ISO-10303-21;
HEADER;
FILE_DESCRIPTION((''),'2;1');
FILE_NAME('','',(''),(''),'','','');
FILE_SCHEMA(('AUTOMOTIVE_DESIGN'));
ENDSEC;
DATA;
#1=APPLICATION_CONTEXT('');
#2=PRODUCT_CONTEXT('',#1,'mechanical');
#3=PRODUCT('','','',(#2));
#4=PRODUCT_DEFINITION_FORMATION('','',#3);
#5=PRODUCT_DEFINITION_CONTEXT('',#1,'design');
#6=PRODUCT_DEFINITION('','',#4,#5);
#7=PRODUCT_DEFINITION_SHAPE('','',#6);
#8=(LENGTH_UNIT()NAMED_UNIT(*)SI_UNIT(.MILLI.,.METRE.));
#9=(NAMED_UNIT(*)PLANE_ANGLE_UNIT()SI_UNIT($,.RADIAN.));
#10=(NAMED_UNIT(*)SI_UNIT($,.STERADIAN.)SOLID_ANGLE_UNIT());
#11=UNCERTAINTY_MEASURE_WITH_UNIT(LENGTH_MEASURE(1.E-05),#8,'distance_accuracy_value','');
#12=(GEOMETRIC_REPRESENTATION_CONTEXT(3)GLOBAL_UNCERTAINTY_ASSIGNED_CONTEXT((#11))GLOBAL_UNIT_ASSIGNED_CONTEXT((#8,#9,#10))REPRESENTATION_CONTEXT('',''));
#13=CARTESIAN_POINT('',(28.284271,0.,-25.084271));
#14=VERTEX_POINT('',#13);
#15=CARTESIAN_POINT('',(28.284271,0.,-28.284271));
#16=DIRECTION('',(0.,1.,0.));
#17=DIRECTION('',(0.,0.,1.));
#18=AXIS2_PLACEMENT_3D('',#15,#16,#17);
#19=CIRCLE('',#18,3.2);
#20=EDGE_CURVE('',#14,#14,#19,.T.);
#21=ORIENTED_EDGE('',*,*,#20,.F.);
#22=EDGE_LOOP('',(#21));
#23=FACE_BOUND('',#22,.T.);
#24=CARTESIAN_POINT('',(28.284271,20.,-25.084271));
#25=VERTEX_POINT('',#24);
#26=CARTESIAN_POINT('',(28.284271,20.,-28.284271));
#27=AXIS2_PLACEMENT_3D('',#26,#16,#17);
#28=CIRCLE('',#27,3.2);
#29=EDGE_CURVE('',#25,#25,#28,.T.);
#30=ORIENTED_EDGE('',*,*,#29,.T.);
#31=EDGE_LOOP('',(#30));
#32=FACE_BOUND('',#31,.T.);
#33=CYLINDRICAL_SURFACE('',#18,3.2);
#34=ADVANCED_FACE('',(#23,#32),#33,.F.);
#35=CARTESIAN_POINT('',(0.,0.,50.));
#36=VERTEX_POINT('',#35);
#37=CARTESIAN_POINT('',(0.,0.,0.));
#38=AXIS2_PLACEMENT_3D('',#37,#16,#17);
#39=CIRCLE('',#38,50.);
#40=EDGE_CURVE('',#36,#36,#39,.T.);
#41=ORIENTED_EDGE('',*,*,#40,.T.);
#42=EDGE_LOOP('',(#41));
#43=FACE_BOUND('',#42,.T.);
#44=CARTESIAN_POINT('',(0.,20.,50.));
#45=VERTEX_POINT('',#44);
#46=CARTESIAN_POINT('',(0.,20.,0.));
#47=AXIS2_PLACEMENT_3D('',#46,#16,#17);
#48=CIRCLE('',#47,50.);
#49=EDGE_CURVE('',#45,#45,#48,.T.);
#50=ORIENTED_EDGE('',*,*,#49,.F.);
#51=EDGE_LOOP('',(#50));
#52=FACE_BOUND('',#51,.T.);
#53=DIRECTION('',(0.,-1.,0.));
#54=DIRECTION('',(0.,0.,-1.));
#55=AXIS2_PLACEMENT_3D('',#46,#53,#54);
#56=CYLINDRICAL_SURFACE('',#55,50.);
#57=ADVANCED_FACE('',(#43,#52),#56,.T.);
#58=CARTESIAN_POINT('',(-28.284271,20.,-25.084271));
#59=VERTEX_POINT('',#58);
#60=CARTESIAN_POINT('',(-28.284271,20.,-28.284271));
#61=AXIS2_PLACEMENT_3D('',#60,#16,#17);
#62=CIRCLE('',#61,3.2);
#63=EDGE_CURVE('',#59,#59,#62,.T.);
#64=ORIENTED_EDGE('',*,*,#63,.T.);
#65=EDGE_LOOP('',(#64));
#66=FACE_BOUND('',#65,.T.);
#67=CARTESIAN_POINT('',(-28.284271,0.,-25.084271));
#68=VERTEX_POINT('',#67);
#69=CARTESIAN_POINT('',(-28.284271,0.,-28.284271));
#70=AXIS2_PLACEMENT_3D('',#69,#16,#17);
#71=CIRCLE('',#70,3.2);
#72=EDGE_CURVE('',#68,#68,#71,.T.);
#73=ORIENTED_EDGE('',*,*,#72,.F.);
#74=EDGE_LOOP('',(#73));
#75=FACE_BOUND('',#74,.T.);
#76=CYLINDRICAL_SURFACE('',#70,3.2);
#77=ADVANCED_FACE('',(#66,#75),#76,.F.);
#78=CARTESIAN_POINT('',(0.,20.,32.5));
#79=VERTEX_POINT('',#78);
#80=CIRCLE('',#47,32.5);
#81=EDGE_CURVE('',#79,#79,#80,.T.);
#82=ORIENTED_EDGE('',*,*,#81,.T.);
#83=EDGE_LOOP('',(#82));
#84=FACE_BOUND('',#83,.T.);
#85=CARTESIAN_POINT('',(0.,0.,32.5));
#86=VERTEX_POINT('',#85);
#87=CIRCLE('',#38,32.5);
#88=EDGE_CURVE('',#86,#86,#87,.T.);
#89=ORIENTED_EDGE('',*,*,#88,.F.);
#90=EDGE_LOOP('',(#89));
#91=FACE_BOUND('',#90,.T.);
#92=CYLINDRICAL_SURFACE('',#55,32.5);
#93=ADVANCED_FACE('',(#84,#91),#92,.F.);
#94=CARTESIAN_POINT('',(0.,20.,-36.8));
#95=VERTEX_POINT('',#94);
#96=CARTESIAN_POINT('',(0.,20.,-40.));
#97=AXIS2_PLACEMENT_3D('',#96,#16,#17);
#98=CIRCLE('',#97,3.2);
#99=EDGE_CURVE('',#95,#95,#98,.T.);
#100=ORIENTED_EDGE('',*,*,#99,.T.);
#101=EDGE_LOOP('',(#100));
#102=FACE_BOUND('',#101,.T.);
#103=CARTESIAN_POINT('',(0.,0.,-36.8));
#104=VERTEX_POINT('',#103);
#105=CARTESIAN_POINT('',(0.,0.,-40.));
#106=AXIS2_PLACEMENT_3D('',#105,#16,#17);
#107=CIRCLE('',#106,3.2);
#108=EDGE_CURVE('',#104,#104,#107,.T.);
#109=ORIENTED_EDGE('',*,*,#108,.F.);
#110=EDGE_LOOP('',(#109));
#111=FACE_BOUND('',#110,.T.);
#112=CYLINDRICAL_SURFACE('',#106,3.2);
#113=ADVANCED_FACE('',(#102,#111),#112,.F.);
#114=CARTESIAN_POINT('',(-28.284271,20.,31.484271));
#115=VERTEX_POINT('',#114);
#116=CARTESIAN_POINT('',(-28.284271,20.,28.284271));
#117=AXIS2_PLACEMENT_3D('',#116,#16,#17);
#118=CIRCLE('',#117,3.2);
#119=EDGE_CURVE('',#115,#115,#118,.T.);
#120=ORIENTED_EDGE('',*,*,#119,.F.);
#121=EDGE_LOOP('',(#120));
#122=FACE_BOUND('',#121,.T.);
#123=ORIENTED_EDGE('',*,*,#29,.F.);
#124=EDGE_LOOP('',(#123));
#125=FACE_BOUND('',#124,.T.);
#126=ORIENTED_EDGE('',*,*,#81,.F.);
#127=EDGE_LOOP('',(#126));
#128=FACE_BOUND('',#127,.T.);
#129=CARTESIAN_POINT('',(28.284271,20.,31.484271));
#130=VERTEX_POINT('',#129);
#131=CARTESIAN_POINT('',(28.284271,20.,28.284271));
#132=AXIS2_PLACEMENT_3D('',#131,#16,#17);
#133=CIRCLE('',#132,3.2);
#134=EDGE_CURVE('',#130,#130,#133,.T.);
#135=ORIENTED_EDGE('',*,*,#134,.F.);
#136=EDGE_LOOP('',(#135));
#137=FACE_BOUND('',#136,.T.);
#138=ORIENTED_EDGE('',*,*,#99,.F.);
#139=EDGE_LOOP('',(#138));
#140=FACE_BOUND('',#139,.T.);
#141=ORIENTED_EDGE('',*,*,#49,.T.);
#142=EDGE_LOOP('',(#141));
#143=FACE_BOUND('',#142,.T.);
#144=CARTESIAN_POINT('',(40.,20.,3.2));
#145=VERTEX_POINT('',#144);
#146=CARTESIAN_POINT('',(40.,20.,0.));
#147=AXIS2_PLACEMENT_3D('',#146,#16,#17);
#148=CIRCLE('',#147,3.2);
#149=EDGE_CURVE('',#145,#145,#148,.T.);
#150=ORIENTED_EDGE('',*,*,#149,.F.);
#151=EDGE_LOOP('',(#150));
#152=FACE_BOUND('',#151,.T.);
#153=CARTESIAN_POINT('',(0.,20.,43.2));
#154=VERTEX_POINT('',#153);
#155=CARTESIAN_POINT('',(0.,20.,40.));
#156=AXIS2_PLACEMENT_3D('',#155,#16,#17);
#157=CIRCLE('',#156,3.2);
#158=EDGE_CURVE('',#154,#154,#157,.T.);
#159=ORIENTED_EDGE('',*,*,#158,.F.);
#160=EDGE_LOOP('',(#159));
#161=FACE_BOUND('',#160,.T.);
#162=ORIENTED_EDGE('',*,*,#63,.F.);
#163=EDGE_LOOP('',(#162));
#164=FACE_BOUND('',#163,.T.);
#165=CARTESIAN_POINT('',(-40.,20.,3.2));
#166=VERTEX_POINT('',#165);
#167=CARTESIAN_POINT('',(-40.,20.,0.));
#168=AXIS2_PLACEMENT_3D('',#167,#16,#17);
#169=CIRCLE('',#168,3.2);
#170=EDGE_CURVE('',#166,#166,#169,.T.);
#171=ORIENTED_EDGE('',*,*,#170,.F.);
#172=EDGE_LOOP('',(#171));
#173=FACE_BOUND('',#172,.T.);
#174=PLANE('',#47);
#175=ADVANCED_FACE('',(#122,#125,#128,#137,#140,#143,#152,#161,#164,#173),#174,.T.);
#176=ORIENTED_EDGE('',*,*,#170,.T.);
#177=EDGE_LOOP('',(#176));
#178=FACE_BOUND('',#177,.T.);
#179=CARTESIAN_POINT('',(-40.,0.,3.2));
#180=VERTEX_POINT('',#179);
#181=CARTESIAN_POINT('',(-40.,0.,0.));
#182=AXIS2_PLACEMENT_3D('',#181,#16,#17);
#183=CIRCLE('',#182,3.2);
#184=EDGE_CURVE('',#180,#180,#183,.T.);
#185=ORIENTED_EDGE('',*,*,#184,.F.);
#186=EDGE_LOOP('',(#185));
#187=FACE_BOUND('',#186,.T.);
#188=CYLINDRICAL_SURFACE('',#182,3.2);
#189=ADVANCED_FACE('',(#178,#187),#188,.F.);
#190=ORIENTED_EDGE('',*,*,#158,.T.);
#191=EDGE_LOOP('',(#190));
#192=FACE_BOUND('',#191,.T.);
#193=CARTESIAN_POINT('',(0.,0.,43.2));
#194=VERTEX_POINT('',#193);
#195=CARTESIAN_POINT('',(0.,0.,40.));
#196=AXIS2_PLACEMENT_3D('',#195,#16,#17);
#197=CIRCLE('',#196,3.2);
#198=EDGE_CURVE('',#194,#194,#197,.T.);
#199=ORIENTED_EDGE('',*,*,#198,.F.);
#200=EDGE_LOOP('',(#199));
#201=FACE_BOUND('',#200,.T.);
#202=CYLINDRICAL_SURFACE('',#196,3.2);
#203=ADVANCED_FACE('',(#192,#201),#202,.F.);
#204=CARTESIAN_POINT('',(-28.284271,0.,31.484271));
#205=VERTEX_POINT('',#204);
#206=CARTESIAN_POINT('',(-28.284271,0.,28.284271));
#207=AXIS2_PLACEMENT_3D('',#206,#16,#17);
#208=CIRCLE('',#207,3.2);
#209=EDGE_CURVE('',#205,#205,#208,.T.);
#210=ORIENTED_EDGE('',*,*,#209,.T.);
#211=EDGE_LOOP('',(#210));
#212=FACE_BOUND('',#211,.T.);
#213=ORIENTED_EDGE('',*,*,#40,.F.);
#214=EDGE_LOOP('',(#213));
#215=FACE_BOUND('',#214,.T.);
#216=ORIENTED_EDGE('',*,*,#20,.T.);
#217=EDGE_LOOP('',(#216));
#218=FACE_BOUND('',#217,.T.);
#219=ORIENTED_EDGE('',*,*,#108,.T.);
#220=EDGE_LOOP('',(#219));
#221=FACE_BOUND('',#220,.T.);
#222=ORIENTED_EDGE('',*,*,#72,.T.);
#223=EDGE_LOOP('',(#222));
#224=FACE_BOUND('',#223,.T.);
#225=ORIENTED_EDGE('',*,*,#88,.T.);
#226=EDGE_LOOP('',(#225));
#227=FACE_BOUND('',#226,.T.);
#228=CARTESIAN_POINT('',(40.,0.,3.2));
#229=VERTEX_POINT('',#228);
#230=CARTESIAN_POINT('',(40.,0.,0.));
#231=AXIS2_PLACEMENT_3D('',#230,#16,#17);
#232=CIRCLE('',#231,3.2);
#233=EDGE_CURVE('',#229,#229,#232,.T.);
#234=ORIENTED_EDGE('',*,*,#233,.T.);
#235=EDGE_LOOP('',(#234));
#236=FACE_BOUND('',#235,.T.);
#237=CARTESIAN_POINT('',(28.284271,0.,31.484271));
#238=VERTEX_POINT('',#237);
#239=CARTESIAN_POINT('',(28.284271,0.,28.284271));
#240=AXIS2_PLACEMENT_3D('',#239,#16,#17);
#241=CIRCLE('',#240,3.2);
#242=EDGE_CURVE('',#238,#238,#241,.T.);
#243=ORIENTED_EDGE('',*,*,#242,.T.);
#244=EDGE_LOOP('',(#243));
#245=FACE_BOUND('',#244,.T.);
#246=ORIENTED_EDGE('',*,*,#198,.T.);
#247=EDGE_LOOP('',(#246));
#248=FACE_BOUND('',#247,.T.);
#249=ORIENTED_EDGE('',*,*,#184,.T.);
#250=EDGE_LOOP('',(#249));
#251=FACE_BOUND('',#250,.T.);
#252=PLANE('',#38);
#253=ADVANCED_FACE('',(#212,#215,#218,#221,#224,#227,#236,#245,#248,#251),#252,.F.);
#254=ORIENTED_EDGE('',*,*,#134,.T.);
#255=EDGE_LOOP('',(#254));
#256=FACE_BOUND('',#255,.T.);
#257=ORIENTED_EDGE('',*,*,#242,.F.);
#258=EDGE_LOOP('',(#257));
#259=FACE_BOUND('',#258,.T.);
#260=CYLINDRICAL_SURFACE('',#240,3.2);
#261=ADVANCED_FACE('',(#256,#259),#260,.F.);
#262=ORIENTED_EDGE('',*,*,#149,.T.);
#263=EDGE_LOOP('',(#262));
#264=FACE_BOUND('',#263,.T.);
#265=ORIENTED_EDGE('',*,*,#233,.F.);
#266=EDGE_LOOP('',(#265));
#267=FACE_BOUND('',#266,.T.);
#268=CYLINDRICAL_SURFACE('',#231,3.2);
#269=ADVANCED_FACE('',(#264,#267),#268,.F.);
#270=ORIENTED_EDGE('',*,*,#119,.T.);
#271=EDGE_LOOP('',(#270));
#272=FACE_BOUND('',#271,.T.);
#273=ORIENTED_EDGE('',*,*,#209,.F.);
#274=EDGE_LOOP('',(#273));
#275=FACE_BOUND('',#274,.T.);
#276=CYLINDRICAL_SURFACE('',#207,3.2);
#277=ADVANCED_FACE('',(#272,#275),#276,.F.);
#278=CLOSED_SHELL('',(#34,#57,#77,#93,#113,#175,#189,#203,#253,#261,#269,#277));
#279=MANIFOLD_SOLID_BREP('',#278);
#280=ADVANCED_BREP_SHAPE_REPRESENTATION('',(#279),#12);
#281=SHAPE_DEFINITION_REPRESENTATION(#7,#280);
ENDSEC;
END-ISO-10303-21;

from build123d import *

# Parameters (mm, degrees)
SKETCH_1_R          = 50
SKETCH_1_R_2        = 32.5
EXTRUDE_1_DEPTH     = 20
SKETCH_2_R          = 3.2
CUT_EXTRUDE_1_DEPTH = 20


with BuildPart() as part:
    # 草图1 → 凸台-拉伸1 (new body)
    with BuildSketch(Plane(origin=(0, 0, 0), x_dir=(1, 0, 0), z_dir=(0, 1, 0))):
        with Locations(Location((0, 0, 0), (0, 0, 270))):
            Circle(SKETCH_1_R)
        with Locations(Location((0, 0, 0), (0, 0, 270))):
            Circle(SKETCH_1_R_2, mode=Mode.SUBTRACT)
    extrude(amount=EXTRUDE_1_DEPTH)

    # 草图2 → 切除-拉伸1 (cut)
    with BuildSketch(Plane(origin=(0, 20, 0), x_dir=(1, 0, 0), z_dir=(0, 1, 0))):
        with Locations(Location((0, 40, 0), (0, 0, 270))):
            Circle(SKETCH_2_R)
        with Locations(Location((28.284271247, 28.284271247, 0), (0, 0, 270))):
            Circle(SKETCH_2_R)
        with Locations(Location((40, 0, 0), (0, 0, 270))):
            Circle(SKETCH_2_R)
        with Locations(Location((28.284271247, -28.284271247, 0), (0, 0, 270))):
            Circle(SKETCH_2_R)
        with Locations(Location((0, -40, 0), (0, 0, 270))):
            Circle(SKETCH_2_R)
        with Locations(Location((-28.284271247, -28.284271247, 0), (0, 0, 270))):
            Circle(SKETCH_2_R)
        with Locations(Location((-40, 0, 0), (0, 0, 270))):
            Circle(SKETCH_2_R)
        with Locations(Location((-28.284271247, 28.284271247, 0), (0, 0, 270))):
            Circle(SKETCH_2_R)
    extrude(amount=-CUT_EXTRUDE_1_DEPTH, mode=Mode.SUBTRACT)


solid = part.part
